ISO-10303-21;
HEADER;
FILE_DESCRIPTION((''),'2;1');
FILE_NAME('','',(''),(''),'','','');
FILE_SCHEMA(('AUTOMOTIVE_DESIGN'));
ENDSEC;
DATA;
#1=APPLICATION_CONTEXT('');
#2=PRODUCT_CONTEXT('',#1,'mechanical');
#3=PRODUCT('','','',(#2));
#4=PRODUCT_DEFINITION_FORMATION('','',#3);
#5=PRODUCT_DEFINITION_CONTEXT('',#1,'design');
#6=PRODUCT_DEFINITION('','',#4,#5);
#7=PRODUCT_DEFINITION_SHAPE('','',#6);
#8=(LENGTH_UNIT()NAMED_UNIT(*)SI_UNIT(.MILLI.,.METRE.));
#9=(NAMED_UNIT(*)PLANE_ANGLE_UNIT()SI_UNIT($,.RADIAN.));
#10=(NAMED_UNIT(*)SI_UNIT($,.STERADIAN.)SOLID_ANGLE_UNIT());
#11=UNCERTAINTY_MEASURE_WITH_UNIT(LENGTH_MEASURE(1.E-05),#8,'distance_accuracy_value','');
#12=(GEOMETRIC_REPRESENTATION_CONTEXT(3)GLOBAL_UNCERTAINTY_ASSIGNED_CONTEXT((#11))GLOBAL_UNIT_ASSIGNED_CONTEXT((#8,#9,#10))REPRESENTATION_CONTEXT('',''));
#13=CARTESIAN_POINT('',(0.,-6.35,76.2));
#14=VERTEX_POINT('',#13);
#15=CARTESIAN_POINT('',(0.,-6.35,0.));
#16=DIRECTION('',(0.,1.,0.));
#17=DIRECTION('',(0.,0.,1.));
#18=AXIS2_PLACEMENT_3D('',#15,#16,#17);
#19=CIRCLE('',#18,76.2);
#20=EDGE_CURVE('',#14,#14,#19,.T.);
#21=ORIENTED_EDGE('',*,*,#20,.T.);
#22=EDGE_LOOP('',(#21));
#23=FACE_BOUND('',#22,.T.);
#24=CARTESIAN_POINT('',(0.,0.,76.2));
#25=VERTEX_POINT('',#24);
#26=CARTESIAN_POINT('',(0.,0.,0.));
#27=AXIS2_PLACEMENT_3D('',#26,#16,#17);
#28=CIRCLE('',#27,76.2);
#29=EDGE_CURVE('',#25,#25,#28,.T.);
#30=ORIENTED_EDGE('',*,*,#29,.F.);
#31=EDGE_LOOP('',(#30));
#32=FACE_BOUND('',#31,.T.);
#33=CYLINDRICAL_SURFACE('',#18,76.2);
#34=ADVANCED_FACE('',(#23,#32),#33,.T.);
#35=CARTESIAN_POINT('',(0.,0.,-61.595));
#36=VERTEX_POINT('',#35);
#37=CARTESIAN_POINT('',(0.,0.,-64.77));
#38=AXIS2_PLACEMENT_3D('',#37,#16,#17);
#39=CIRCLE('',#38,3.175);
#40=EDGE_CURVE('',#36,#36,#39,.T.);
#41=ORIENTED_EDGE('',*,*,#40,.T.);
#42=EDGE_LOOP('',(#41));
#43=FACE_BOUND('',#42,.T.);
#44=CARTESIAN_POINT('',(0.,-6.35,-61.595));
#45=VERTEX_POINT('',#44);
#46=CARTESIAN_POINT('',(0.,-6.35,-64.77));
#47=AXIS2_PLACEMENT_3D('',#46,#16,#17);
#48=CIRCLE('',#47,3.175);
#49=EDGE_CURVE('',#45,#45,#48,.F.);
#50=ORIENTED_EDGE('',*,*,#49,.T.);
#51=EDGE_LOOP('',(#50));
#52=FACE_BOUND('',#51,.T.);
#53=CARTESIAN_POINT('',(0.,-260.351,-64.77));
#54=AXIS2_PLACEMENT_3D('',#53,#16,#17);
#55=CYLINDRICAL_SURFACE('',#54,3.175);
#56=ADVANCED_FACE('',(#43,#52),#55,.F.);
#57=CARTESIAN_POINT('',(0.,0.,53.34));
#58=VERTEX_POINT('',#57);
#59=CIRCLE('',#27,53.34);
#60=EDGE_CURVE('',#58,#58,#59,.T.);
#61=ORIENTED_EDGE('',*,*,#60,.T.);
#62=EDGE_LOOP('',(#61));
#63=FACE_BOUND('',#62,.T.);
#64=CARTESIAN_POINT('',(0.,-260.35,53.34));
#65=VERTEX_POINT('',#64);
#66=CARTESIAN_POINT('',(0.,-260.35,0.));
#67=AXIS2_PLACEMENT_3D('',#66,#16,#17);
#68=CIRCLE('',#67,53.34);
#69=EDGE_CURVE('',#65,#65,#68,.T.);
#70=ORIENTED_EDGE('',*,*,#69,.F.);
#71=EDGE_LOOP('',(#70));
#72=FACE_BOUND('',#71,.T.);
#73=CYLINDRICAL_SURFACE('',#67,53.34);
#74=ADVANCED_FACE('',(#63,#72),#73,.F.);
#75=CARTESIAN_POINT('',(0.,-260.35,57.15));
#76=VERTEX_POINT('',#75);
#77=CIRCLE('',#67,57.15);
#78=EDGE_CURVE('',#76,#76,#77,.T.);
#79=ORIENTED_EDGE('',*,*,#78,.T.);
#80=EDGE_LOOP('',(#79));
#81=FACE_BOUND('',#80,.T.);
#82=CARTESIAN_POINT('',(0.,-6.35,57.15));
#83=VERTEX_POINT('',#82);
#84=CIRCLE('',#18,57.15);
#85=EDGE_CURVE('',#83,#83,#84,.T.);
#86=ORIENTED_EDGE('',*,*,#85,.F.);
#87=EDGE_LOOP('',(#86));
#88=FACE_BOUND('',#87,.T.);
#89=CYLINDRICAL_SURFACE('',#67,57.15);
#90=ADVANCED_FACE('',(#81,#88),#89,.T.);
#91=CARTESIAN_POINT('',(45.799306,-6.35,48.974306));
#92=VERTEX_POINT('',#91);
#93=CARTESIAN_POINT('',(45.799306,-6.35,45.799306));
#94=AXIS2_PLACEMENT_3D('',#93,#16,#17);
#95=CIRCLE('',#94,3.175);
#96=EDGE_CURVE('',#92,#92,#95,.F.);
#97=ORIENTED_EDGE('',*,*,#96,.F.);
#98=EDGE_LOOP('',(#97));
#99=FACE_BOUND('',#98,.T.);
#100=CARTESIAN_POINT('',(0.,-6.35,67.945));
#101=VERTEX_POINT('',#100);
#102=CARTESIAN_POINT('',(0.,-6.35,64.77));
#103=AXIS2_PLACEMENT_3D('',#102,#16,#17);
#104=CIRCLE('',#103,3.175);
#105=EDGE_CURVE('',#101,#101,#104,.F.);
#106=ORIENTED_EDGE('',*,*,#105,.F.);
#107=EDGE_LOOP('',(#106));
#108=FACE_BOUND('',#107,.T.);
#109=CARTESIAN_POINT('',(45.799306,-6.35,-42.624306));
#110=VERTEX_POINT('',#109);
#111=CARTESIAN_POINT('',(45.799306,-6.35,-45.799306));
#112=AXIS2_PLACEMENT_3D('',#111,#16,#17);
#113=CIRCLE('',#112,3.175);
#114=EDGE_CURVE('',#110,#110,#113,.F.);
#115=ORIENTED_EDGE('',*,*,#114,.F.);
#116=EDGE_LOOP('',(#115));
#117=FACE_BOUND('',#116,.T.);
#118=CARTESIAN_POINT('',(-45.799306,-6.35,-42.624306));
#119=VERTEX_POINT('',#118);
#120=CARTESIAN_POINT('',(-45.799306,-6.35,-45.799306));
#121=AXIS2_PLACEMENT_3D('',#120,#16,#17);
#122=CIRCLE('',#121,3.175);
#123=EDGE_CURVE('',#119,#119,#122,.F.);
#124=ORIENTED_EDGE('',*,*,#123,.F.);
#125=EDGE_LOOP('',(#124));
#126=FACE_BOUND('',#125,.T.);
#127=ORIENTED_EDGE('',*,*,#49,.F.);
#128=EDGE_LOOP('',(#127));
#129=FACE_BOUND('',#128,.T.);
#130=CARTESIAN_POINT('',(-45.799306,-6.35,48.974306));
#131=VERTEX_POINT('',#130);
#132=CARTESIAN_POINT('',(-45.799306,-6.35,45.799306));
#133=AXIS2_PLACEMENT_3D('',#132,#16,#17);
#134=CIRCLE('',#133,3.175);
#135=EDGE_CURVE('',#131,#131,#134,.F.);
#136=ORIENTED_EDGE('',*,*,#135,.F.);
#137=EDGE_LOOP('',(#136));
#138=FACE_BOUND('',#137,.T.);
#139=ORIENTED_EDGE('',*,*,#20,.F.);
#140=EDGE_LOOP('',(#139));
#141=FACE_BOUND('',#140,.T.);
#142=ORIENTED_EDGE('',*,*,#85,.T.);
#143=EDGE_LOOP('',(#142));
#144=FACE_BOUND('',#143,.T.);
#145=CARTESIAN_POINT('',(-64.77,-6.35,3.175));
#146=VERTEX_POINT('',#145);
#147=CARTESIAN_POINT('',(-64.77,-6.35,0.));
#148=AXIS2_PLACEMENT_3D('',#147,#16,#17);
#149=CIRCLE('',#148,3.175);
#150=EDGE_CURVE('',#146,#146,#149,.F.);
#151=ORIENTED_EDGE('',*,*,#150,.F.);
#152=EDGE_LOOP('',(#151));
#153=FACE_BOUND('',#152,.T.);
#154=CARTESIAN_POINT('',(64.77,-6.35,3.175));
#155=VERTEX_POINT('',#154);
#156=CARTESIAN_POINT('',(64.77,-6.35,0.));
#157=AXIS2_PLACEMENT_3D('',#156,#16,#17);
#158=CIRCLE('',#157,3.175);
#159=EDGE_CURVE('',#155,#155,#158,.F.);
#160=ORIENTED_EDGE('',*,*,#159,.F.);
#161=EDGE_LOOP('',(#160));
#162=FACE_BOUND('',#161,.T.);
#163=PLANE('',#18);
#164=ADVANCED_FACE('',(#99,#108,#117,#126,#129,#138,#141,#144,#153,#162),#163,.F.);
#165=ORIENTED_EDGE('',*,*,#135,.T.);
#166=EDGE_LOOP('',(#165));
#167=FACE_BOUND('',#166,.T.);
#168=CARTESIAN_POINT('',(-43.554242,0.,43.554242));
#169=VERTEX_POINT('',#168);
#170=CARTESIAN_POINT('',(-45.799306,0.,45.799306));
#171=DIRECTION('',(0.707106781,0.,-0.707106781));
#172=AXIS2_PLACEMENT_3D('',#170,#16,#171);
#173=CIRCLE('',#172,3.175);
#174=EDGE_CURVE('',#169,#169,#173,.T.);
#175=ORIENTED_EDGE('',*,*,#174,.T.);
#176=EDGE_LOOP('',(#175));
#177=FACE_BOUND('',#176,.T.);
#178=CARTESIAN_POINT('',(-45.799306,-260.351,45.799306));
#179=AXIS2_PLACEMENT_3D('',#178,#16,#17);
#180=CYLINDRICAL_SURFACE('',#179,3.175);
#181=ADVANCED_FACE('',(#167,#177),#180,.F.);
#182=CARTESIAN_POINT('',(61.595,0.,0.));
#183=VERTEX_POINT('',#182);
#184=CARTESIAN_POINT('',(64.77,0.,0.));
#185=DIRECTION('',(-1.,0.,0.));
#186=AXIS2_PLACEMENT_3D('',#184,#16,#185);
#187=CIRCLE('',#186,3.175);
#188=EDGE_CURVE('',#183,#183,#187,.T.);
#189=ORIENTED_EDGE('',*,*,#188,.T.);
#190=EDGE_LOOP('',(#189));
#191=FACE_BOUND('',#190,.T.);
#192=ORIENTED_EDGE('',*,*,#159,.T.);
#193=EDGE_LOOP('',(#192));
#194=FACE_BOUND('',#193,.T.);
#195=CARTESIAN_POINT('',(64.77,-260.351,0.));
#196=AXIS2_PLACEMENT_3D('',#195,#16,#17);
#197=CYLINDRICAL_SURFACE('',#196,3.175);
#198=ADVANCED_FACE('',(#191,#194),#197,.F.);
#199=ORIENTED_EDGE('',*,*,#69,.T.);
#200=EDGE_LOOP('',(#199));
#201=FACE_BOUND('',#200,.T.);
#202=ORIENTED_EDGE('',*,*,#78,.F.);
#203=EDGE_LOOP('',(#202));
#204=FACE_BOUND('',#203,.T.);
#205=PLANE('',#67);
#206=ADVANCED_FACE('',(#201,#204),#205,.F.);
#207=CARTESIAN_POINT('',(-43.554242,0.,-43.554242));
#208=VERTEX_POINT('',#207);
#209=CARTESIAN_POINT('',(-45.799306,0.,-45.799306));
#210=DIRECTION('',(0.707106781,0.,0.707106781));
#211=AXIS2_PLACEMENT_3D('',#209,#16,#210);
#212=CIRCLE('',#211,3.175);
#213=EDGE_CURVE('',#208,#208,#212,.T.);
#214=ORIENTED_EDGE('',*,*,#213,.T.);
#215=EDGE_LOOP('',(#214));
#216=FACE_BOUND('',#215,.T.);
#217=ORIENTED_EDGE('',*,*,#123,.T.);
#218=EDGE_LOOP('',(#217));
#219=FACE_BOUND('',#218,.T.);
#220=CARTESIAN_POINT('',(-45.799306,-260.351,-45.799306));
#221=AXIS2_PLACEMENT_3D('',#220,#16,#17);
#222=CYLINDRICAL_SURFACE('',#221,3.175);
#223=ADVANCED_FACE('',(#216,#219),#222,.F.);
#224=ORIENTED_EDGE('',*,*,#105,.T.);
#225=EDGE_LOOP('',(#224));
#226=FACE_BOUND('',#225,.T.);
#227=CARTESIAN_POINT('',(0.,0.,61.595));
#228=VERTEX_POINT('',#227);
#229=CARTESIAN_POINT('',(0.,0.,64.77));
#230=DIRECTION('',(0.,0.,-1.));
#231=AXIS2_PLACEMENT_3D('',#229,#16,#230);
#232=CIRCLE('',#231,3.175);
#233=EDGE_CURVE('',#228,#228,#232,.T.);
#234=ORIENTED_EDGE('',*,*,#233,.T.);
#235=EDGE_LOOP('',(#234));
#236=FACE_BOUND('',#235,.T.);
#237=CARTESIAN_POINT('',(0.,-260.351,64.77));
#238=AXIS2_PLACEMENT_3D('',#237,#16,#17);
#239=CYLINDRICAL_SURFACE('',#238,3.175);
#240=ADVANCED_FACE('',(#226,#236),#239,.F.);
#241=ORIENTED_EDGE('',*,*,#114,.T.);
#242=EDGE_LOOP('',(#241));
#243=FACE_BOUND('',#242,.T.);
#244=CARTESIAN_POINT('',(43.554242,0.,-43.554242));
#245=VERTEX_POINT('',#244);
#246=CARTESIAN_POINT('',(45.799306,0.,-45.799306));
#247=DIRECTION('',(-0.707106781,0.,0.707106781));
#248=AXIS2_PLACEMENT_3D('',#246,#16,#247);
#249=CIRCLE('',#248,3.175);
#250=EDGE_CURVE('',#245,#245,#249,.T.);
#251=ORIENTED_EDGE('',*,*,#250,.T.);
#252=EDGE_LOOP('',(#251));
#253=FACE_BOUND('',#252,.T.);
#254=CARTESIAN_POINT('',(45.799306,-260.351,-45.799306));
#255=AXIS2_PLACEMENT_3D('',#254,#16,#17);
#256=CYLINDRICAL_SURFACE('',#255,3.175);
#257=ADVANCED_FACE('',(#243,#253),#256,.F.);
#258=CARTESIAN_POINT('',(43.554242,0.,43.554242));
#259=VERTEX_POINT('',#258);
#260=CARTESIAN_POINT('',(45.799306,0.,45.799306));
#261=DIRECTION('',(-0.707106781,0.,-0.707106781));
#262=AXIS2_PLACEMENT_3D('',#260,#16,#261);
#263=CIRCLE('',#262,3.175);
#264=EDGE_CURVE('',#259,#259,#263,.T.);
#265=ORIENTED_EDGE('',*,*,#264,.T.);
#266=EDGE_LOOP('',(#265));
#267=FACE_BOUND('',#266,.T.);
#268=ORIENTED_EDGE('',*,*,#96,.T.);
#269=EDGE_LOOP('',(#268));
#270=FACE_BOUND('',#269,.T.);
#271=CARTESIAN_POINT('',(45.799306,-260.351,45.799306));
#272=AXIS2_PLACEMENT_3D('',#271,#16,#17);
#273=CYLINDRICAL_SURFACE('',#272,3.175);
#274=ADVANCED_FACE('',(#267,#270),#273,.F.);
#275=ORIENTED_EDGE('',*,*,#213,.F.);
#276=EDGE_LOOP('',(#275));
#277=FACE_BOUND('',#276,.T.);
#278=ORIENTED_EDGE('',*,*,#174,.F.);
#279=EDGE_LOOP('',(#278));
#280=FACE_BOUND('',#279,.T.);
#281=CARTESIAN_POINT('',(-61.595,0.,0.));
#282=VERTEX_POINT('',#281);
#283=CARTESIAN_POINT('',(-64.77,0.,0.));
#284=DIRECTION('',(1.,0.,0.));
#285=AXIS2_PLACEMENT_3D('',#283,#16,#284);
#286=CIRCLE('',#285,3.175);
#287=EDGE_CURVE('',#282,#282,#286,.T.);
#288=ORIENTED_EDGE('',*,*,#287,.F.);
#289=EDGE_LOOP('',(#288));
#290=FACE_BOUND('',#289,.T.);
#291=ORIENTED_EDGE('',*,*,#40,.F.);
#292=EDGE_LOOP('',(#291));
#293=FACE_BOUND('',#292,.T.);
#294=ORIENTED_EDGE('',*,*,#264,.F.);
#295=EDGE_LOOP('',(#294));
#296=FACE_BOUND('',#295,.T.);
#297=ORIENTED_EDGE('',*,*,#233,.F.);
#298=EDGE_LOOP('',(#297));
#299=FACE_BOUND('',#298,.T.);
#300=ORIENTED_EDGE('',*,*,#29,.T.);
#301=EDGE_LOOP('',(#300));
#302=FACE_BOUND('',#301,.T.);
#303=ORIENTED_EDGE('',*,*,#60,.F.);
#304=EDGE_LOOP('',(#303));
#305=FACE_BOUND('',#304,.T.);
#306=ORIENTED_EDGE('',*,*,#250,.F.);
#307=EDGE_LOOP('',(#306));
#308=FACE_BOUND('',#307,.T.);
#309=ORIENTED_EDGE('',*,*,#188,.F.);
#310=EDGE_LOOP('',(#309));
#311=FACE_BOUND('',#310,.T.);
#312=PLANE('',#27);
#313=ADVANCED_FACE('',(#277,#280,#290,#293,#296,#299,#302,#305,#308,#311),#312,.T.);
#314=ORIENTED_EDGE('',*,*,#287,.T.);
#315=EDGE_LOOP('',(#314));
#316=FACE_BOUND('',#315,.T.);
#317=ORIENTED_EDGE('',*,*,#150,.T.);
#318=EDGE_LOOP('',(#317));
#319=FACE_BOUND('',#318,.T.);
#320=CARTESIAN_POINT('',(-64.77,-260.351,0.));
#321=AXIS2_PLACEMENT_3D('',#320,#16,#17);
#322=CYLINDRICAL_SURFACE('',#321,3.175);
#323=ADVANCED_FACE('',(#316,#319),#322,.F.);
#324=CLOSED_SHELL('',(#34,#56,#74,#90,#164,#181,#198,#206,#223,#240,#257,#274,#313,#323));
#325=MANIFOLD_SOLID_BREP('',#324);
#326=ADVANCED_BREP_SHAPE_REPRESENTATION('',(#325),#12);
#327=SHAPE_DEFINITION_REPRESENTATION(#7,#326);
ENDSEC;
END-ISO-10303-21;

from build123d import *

# Parameters (mm, degrees)
SKETCH1_R                = 57.15
SKETCH1_R_2              = 53.34
SCHEDULED_CHAMBER_DEPTH  = 260.35
SKETCH2_R                = 76.2
SKETCH2_R_2              = 57.15
FLANGE_DEPTH             = 6.35
ORIGINAL_BOLT_HOLE_REACH = 283.771
SKETCH3_R                = 3.175
BOLT_HOLE_PATTERN_COUNT  = 8


with BuildPart() as part:
    # Sketch1 → Scheduled Chamber (new body)
    with BuildSketch(Plane(origin=(0, 0, 0), x_dir=(1, 0, 0), z_dir=(0, 1, 0))):
        Circle(SKETCH1_R)
        Circle(SKETCH1_R_2, mode=Mode.SUBTRACT)
    extrude(amount=-SCHEDULED_CHAMBER_DEPTH)

    # Sketch2 → Flange (add)
    with BuildSketch(Plane(origin=(0, 0, 0), x_dir=(1, 0, 0), z_dir=(0, 1, 0))):
        Circle(SKETCH2_R)
        Circle(SKETCH2_R_2, mode=Mode.SUBTRACT)
    extrude(amount=-FLANGE_DEPTH)

    # Sketch3 → Original Bolt Hole (cut, up to next)
    with BuildSketch(Plane(origin=(0, 0, 0), x_dir=(1, 0, 0), z_dir=(0, 1, 0)), mode=Mode.PRIVATE) as original_bolt_hole_sk1:
        with Locations((0, 64.77)):
            Circle(SKETCH3_R)
    original_bolt_hole_tool1 = extrude(original_bolt_hole_sk1.sketch, amount=-ORIGINAL_BOLT_HOLE_REACH, mode=Mode.PRIVATE) & part.part
    original_bolt_hole = original_bolt_hole_tool1.solids().sort_by_distance((0, 0, -64.77))[0]
    add(original_bolt_hole, mode=Mode.SUBTRACT)

    # Bolt Hole Pattern: Original Bolt Hole ×8 about axis
    bolt_hole_pattern_axis = Axis((0, 55, 0), (0, -1, 0))
    for i in range(1, BOLT_HOLE_PATTERN_COUNT):
        add(original_bolt_hole.rotate(bolt_hole_pattern_axis, i * 360 / BOLT_HOLE_PATTERN_COUNT), mode=Mode.SUBTRACT)


solid = part.part
